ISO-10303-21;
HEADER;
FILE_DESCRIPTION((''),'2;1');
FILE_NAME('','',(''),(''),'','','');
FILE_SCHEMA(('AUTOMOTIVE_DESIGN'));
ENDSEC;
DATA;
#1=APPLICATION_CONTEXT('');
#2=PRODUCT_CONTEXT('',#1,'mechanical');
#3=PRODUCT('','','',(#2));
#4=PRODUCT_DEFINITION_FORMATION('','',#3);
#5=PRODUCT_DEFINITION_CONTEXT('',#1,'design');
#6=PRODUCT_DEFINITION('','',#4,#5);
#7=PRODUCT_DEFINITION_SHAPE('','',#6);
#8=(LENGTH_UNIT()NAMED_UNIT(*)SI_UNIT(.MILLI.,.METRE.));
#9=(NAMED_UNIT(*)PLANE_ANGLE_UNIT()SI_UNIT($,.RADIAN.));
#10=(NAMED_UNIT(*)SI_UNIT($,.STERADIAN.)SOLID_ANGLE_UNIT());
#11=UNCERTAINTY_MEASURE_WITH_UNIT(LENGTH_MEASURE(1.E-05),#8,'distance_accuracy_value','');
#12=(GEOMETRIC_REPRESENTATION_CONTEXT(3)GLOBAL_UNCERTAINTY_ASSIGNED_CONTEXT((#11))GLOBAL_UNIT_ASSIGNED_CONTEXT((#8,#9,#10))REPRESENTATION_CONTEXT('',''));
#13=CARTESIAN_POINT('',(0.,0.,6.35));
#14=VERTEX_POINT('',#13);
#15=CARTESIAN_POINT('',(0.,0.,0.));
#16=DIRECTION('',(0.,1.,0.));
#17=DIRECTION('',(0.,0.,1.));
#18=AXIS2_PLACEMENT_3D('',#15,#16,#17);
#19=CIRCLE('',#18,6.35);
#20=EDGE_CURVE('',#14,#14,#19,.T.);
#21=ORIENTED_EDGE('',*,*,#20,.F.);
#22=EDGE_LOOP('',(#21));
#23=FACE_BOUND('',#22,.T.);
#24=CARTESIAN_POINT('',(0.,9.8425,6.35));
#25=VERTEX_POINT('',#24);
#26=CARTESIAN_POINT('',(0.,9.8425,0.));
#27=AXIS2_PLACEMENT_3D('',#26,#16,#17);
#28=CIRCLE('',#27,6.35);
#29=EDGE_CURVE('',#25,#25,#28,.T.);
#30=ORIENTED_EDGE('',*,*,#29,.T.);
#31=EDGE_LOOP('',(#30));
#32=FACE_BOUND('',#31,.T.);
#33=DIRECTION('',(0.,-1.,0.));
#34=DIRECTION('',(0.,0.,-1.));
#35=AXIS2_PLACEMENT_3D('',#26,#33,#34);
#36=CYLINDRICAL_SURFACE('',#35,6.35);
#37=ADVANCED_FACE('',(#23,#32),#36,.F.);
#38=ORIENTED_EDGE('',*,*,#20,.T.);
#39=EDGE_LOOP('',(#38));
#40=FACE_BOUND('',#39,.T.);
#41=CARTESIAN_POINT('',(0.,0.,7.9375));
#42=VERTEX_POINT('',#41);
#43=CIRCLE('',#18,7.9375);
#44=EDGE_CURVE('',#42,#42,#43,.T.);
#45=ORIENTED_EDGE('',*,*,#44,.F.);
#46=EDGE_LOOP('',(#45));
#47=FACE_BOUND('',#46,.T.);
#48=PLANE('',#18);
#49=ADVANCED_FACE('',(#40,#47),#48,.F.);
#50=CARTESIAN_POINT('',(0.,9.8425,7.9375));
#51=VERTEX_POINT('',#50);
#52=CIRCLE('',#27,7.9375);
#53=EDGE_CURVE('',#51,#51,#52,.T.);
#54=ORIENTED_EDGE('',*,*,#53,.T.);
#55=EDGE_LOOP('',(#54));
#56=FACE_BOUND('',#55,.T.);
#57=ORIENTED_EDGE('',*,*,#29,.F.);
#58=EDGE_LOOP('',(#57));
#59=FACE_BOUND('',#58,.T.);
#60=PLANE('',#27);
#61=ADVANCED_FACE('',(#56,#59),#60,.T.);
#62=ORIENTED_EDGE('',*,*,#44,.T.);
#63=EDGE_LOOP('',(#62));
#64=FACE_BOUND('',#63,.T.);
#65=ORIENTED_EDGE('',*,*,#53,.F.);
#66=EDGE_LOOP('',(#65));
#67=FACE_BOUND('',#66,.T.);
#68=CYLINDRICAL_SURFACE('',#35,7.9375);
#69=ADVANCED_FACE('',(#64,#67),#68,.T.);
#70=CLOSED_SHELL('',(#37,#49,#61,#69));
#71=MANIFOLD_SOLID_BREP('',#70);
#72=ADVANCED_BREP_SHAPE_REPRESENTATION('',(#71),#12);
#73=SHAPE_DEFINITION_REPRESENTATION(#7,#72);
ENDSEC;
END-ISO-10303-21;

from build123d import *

# Parameters (mm, degrees)
SKETCH1_R           = 7.9375
SKETCH1_R_2         = 6.35
BOSS_EXTRUDE1_DEPTH = 9.8425


with BuildPart() as part:
    # Sketch1 → Boss-Extrude1 (new body)
    with BuildSketch(Plane(origin=(0, 0, 0), x_dir=(1, 0, 0), z_dir=(0, 1, 0))):
        Circle(SKETCH1_R)
        Circle(SKETCH1_R_2, mode=Mode.SUBTRACT)
    extrude(amount=BOSS_EXTRUDE1_DEPTH)


solid = part.part
